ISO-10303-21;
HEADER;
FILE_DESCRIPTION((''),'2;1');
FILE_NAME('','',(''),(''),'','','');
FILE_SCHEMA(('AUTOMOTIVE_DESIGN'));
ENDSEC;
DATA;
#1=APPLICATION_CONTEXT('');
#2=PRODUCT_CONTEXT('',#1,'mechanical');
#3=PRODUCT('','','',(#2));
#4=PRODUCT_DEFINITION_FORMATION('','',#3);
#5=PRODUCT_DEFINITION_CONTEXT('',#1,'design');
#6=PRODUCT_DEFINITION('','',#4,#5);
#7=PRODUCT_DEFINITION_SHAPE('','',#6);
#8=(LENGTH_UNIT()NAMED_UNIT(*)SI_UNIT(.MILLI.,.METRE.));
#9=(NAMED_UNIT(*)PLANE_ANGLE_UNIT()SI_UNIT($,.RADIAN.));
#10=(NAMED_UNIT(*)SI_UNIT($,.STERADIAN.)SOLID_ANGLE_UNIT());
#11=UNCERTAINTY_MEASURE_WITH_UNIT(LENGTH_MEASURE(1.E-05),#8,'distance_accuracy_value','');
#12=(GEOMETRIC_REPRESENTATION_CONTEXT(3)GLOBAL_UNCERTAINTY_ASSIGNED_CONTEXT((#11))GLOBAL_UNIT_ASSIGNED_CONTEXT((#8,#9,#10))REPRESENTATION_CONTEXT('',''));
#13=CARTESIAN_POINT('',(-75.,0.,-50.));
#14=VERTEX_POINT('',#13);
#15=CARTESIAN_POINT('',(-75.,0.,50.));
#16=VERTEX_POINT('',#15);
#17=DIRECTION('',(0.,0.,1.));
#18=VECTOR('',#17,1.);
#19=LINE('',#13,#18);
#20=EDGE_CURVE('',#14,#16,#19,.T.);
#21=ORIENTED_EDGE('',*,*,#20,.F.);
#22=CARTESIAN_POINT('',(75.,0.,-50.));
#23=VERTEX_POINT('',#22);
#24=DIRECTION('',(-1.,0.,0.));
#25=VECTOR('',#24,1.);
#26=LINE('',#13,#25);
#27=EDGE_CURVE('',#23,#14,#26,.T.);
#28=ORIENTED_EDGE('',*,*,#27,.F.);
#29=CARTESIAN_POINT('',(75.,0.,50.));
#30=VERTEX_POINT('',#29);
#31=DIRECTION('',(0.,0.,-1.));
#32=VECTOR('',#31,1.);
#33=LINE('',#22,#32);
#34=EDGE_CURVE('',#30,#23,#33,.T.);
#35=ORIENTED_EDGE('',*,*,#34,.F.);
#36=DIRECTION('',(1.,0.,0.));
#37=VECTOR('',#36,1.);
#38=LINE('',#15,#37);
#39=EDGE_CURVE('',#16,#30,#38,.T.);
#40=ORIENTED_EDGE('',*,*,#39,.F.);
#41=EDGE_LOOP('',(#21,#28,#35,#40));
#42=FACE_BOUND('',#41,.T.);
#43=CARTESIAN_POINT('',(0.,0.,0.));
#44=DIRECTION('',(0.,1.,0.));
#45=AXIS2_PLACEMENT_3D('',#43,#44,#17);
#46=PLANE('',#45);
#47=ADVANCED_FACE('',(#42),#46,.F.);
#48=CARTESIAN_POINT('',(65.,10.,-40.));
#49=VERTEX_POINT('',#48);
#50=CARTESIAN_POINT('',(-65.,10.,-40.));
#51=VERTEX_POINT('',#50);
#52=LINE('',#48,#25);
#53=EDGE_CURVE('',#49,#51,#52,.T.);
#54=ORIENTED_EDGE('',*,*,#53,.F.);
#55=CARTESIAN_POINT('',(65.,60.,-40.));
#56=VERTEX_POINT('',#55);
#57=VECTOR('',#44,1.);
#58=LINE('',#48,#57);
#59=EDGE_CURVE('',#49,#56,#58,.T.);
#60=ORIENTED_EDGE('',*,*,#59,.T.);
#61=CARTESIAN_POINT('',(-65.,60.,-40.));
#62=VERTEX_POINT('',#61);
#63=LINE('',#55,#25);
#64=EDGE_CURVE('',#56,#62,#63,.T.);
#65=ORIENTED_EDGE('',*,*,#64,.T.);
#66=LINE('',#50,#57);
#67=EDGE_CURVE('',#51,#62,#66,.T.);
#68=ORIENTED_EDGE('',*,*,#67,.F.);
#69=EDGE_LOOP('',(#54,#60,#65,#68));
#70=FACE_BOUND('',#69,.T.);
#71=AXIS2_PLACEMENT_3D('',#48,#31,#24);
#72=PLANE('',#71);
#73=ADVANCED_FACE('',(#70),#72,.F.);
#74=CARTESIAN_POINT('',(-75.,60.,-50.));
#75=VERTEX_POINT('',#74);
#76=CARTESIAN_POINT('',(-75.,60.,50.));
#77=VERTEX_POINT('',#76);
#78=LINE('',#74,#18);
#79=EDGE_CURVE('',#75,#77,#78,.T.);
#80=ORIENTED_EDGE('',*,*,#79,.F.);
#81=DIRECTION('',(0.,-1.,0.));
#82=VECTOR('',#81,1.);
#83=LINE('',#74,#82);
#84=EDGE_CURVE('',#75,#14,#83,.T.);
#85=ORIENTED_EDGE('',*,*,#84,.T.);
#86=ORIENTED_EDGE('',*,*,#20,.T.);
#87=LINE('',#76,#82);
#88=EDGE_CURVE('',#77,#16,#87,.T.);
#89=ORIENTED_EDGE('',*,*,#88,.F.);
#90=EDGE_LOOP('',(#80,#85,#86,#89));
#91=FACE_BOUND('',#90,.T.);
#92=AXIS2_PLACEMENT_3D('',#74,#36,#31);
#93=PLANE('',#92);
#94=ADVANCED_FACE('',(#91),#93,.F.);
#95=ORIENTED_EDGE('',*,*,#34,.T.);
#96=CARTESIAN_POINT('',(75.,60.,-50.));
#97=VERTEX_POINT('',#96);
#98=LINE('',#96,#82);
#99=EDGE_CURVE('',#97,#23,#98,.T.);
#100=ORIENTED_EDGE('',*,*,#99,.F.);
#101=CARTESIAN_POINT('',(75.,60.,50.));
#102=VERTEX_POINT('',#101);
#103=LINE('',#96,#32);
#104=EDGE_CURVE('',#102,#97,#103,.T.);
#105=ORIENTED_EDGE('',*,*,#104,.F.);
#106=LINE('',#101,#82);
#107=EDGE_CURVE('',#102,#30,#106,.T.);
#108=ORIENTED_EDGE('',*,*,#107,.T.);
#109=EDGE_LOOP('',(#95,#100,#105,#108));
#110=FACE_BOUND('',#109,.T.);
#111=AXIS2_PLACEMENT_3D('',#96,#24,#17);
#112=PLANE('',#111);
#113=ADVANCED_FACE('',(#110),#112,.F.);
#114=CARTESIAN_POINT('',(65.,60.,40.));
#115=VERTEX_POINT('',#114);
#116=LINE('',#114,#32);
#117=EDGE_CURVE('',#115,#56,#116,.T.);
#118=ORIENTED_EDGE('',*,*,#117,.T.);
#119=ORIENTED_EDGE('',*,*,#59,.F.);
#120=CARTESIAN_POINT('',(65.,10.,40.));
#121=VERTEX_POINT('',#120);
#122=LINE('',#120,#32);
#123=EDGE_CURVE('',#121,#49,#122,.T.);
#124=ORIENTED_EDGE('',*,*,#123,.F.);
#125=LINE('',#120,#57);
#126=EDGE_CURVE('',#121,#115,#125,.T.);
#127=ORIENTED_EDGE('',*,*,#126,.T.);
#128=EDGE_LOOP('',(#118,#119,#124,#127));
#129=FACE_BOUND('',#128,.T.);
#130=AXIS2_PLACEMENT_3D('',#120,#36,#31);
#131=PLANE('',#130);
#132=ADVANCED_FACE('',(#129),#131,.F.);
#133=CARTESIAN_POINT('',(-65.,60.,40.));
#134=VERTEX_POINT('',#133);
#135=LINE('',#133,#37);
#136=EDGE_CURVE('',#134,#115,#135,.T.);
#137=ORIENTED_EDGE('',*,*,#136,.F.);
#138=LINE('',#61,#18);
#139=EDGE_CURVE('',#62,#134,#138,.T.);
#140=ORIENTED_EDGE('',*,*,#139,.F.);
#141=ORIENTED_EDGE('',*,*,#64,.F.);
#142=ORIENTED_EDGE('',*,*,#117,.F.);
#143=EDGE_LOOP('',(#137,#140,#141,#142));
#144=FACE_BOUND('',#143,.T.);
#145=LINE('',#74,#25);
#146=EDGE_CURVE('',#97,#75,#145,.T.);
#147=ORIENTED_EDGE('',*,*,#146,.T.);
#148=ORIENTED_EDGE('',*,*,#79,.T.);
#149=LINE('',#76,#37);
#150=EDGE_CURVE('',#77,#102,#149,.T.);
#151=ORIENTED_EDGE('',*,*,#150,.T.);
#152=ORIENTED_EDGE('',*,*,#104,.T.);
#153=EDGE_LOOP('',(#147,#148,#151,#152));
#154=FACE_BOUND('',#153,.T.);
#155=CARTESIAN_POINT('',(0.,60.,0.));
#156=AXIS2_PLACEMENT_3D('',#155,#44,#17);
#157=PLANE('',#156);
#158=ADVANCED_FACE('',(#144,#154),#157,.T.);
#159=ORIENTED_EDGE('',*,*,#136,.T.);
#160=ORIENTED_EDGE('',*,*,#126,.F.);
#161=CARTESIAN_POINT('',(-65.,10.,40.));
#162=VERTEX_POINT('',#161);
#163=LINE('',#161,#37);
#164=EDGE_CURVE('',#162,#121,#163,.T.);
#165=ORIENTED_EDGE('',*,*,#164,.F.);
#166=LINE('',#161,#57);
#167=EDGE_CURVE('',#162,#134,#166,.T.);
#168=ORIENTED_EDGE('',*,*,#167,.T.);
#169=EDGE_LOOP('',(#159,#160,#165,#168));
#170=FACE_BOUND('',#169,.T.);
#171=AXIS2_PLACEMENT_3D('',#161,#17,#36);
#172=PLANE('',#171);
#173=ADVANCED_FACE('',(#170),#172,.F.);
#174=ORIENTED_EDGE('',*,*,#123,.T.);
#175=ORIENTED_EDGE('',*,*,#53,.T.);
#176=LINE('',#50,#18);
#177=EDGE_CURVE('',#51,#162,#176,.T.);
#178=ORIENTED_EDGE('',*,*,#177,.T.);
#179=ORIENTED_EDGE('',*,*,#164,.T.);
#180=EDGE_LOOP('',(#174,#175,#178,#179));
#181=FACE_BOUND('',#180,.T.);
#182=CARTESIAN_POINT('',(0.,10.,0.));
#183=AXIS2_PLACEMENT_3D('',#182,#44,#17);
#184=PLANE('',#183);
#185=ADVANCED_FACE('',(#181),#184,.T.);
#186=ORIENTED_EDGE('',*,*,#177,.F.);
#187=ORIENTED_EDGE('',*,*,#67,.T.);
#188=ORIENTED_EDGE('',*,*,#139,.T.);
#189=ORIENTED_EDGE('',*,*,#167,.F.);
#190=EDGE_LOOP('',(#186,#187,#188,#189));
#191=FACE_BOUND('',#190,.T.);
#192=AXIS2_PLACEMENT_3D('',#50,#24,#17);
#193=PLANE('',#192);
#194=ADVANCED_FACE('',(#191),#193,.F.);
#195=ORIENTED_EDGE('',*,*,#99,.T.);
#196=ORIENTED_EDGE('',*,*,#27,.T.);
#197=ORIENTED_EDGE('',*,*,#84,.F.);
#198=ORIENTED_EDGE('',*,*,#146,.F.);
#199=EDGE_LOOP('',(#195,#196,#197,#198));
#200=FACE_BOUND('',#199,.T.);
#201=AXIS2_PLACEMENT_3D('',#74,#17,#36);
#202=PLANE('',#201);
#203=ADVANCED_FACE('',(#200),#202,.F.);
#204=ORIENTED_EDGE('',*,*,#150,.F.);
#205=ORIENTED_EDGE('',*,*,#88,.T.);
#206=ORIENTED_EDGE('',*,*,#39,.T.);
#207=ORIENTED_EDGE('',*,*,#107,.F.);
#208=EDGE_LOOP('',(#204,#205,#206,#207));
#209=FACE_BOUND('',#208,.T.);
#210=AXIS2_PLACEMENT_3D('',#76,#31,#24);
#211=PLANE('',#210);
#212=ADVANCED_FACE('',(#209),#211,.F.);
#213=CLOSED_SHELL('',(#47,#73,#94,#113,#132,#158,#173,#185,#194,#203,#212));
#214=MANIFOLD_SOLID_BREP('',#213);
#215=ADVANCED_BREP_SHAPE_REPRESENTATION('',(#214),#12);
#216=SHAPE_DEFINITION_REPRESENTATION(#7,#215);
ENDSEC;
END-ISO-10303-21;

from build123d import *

# Parameters (mm, degrees)
SKETCH1_W           = 150
SKETCH1_H           = 100
BOSS_EXTRUDE1_DEPTH = 60
SKETCH2_W           = 130
SKETCH2_H           = 80
CUT_EXTRUDE1_DEPTH  = 50


with BuildPart() as part:
    # Sketch1 → Boss-Extrude1 (new body)
    with BuildSketch(Plane(origin=(0, 0, 0), x_dir=(1, 0, 0), z_dir=(0, 1, 0))):
        Rectangle(SKETCH1_W, SKETCH1_H)
    extrude(amount=BOSS_EXTRUDE1_DEPTH)

    # Sketch2 → Cut-Extrude1 (cut)
    with BuildSketch(Plane(origin=(0, 60, 0), x_dir=(1, 0, 0), z_dir=(0, 1, 0))):
        Rectangle(SKETCH2_W, SKETCH2_H)
    extrude(amount=-CUT_EXTRUDE1_DEPTH, mode=Mode.SUBTRACT)


solid = part.part
